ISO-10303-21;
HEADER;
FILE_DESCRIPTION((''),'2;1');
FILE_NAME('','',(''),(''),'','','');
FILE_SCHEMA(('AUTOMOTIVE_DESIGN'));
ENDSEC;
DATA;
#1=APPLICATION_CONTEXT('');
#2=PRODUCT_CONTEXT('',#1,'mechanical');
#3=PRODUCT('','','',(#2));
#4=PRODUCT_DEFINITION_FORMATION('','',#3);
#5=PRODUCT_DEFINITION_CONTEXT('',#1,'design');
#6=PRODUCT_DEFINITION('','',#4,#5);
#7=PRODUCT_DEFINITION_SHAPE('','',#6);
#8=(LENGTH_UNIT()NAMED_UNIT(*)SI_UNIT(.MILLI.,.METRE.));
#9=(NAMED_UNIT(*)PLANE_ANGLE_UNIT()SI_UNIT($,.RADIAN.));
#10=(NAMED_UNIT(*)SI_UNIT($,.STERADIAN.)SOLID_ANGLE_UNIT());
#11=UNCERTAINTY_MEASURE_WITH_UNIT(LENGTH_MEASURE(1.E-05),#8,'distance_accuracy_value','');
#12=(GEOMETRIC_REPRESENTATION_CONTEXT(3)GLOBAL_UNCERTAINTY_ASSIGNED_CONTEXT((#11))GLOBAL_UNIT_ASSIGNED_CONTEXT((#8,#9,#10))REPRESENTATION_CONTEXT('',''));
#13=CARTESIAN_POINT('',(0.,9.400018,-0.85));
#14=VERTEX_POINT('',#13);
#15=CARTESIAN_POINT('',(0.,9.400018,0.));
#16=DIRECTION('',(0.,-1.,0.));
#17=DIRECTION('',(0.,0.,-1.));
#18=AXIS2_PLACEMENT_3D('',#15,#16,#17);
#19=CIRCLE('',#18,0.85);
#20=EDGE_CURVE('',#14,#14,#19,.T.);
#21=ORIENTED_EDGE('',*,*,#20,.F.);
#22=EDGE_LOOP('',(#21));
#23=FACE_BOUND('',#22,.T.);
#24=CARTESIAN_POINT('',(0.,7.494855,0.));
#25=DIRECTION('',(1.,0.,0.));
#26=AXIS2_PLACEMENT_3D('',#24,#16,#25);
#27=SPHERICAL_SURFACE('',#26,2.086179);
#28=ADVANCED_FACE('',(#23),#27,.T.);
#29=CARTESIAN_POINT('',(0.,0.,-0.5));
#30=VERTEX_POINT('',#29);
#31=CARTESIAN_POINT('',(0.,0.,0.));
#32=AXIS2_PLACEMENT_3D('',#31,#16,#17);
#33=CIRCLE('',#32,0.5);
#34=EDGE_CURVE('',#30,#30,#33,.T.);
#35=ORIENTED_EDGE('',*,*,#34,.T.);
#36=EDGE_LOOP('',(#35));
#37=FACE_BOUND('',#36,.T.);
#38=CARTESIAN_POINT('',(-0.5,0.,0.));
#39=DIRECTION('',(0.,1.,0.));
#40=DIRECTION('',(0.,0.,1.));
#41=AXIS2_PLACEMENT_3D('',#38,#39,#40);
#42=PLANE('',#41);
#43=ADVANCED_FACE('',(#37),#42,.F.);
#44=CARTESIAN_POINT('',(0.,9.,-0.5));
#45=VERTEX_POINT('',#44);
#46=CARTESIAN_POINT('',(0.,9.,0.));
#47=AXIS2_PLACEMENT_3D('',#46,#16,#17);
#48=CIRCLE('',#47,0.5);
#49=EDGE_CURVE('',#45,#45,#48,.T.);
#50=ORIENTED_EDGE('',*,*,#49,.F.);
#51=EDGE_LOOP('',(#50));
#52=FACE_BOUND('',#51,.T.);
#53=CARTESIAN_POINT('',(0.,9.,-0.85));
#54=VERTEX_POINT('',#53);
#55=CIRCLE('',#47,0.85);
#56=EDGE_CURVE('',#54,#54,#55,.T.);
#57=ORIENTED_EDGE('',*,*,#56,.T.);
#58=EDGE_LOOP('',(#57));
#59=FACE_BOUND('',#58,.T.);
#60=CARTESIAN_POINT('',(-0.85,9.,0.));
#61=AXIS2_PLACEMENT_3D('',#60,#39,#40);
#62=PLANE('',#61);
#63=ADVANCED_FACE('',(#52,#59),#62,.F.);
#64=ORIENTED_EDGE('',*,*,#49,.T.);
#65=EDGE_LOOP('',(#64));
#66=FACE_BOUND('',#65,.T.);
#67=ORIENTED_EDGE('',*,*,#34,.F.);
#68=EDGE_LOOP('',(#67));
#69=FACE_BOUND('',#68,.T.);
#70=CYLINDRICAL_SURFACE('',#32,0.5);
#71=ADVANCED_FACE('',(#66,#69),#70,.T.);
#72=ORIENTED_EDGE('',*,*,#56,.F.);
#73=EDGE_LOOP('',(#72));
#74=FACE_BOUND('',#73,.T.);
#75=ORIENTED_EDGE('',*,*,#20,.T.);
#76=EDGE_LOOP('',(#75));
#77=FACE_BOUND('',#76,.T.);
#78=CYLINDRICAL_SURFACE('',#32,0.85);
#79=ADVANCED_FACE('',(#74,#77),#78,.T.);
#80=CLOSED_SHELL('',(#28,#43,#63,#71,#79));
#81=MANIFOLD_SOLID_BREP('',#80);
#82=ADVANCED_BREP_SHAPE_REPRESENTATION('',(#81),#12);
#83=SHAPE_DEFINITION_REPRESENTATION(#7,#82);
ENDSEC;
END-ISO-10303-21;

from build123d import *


with BuildPart() as part:
    # 草圖1 → 旋轉1 (revolve)
    with BuildSketch(Plane.XY, mode=Mode.PRIVATE) as revolve_1_sk:
        with BuildLine():
            Line((0, 0), (0, 9.581034604))
            ThreePointArc((0, 9.581034604), (-0.434530519, 9.535278619), (-0.85, 9.400017791))
            Line((-0.85, 9.400017791), (-0.85, 9))
            Line((-0.85, 9), (-0.5, 9))
            Line((-0.5, 9), (-0.5, 0))
            Line((-0.5, 0), (0, 0))
        make_face()
    revolve(revolve_1_sk.sketch.rotate(Axis((0, 0, 0), (0, 1, 0)), 270), axis=Axis((0, 0, 0), (0, 1, 0)))


solid = part.part
